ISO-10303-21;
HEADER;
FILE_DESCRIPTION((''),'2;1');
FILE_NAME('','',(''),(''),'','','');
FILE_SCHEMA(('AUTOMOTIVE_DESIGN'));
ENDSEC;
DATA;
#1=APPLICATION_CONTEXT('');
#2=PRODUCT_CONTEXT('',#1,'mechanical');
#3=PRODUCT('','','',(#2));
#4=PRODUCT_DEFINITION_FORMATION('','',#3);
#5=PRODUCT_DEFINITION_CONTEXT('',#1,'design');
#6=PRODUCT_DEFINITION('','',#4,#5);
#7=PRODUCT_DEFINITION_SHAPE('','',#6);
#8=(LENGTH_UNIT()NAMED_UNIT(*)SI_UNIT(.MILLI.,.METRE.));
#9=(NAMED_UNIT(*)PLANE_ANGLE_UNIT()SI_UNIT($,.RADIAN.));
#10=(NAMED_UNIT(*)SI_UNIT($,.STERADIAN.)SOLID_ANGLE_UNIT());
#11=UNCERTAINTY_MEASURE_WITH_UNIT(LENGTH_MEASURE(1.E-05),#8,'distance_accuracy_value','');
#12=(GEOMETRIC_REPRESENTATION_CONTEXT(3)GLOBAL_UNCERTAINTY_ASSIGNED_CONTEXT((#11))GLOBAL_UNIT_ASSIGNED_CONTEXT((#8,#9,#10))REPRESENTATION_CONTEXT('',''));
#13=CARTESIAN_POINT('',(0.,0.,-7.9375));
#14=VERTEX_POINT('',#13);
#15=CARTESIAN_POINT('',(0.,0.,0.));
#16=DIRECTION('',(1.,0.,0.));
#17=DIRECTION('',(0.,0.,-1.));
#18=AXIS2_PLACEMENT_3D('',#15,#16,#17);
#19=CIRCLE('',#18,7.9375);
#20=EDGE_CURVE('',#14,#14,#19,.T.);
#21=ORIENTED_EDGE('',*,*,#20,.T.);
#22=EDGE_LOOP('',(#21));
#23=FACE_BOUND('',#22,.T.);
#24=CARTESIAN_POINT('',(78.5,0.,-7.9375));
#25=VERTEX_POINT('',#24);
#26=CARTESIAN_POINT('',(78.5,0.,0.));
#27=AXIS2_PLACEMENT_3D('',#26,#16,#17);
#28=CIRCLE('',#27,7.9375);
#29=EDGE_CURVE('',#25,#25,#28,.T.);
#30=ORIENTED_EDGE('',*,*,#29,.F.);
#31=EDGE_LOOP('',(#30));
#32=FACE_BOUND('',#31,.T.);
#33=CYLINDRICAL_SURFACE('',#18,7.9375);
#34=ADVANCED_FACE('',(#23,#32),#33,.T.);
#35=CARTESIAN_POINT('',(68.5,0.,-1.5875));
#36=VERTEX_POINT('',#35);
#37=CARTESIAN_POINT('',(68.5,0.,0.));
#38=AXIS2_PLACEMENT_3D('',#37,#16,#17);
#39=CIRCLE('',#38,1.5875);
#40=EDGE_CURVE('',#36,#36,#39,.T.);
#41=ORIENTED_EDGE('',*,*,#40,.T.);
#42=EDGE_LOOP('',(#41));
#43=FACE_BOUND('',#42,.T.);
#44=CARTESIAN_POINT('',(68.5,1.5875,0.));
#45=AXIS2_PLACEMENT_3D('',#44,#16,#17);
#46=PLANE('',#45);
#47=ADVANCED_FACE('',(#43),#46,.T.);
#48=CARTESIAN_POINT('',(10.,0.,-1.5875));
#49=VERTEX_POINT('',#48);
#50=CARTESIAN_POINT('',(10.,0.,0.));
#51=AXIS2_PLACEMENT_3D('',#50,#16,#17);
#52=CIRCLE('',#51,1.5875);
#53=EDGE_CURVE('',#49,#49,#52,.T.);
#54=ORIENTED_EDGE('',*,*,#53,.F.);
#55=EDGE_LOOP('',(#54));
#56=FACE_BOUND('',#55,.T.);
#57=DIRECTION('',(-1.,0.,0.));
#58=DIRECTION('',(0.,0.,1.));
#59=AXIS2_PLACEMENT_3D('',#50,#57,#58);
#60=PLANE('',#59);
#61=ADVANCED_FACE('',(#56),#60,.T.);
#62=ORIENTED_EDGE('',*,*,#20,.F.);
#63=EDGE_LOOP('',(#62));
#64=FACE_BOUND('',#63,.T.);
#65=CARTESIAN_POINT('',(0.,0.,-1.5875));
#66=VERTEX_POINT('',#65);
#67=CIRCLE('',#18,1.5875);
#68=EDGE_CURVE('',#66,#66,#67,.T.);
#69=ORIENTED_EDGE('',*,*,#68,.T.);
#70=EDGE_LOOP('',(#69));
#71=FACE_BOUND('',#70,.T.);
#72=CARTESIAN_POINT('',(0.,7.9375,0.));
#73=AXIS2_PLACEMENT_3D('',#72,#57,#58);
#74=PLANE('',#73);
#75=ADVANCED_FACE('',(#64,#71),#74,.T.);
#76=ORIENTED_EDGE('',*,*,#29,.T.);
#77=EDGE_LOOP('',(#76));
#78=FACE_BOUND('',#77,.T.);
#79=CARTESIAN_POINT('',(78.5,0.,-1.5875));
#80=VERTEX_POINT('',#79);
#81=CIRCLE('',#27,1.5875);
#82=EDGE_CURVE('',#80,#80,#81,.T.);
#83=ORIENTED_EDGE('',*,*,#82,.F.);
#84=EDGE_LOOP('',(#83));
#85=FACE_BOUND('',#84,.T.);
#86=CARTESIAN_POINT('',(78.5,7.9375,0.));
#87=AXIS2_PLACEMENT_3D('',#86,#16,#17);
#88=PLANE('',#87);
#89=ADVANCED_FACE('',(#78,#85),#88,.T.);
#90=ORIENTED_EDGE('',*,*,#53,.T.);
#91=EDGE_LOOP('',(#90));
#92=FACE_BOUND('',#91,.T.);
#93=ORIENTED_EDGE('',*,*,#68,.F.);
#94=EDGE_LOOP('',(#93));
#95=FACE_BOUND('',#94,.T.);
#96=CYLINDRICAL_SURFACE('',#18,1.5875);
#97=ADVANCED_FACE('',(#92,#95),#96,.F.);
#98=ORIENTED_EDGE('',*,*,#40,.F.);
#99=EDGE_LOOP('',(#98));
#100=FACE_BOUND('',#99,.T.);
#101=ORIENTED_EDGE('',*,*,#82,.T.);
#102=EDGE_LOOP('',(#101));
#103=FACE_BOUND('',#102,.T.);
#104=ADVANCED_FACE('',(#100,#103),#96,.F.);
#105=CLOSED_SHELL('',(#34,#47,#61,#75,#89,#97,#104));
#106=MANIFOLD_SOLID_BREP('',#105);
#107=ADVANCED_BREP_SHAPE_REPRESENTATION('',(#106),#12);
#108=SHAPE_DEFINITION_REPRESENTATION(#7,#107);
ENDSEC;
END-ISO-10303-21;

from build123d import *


with BuildPart() as part:
    # Sketch1 → Revolve1 (revolve)
    with BuildSketch(Plane.XY):
        Polygon((0, 7.9375), (78.5, 7.9375), (78.5, 1.5875), (68.5, 1.5875), (68.5, 0), (10, 0), (10, 1.5875), (0, 1.5875), align=None)
    revolve(axis=Axis((0, 0, 0), (-1, 0, 0)))


solid = part.part
